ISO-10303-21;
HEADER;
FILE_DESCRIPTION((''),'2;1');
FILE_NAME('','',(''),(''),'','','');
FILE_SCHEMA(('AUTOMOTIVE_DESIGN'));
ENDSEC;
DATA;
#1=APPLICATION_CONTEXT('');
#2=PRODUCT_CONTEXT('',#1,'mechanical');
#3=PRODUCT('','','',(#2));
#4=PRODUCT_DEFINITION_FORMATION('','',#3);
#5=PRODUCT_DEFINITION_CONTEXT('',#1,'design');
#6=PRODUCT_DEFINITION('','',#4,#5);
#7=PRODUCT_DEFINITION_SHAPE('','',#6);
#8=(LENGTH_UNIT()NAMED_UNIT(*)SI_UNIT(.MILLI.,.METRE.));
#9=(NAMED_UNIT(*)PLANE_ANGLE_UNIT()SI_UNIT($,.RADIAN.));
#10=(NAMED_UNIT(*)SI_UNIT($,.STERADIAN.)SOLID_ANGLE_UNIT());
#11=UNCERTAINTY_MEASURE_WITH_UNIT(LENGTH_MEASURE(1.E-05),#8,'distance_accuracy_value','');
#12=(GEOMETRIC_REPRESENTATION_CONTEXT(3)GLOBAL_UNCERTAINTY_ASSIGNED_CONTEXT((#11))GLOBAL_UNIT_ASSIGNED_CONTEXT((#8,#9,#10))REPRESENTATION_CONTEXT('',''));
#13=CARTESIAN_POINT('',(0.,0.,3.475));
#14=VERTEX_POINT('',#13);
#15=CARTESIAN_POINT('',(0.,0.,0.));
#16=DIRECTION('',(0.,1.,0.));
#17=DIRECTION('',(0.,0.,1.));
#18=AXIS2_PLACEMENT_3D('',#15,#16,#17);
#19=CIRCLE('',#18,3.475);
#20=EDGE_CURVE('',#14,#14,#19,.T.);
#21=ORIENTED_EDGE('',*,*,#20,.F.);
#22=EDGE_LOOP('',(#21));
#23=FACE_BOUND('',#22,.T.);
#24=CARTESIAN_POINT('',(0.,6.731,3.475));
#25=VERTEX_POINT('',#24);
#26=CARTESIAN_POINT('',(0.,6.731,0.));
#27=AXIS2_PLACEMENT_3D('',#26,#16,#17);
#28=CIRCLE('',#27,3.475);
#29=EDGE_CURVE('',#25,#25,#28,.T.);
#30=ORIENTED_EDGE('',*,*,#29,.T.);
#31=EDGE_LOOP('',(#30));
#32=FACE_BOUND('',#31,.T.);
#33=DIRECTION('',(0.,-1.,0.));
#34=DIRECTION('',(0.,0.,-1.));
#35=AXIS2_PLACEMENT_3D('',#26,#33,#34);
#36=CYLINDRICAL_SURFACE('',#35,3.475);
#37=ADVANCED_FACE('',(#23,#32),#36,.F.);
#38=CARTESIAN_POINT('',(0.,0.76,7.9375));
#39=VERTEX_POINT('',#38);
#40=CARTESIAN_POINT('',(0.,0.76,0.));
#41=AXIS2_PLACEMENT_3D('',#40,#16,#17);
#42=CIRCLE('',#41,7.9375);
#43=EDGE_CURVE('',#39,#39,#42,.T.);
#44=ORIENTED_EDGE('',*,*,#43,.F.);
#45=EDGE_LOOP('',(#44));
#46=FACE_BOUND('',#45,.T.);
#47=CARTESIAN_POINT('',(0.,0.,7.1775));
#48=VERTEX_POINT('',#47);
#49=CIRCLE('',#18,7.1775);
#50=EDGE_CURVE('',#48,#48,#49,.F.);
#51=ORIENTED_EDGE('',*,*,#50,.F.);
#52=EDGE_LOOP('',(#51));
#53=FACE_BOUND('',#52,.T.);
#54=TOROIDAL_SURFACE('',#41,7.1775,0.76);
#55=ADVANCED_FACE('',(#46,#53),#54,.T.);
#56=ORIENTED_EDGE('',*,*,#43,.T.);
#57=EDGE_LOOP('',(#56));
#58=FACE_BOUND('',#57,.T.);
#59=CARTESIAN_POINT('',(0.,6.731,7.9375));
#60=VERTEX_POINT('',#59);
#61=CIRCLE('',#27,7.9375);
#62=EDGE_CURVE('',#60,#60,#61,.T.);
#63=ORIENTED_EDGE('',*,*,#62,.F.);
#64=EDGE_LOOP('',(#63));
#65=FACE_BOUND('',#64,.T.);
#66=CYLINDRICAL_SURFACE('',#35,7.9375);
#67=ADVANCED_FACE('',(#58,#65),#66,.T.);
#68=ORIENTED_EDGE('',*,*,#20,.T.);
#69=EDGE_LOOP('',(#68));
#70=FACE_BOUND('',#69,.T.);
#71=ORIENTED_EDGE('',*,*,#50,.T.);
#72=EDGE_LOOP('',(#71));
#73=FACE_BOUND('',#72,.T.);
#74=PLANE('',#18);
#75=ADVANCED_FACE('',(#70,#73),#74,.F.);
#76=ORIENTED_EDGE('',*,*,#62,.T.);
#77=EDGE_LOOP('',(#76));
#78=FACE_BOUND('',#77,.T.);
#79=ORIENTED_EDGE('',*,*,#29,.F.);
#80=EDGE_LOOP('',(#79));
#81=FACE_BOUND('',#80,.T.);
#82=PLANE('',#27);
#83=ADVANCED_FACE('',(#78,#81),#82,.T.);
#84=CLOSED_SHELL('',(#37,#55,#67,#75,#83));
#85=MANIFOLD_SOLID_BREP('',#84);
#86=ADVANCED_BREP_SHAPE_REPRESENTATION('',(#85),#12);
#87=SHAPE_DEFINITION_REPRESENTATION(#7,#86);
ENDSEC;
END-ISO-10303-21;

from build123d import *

# Parameters (mm, degrees)
SKETCH1_R           = 7.9375
SKETCH1_R_2         = 3.475000035
BOSS_EXTRUDE1_DEPTH = 6.731
FILLET1_R           = 0.76


with BuildPart() as part:
    # Sketch1 → Boss-Extrude1 (new body)
    with BuildSketch(Plane(origin=(0, 0, 0), x_dir=(1, 0, 0), z_dir=(0, 1, 0))):
        Circle(SKETCH1_R)
        Circle(SKETCH1_R_2, mode=Mode.SUBTRACT)
    extrude(amount=BOSS_EXTRUDE1_DEPTH)

    # Fillet1
    fillet1_edges = [part.edges().sort_by_distance(p)[0] for p in [
        (-7.9375, 0, 0),
    ]]
    fillet(fillet1_edges, radius=FILLET1_R)


solid = part.part
